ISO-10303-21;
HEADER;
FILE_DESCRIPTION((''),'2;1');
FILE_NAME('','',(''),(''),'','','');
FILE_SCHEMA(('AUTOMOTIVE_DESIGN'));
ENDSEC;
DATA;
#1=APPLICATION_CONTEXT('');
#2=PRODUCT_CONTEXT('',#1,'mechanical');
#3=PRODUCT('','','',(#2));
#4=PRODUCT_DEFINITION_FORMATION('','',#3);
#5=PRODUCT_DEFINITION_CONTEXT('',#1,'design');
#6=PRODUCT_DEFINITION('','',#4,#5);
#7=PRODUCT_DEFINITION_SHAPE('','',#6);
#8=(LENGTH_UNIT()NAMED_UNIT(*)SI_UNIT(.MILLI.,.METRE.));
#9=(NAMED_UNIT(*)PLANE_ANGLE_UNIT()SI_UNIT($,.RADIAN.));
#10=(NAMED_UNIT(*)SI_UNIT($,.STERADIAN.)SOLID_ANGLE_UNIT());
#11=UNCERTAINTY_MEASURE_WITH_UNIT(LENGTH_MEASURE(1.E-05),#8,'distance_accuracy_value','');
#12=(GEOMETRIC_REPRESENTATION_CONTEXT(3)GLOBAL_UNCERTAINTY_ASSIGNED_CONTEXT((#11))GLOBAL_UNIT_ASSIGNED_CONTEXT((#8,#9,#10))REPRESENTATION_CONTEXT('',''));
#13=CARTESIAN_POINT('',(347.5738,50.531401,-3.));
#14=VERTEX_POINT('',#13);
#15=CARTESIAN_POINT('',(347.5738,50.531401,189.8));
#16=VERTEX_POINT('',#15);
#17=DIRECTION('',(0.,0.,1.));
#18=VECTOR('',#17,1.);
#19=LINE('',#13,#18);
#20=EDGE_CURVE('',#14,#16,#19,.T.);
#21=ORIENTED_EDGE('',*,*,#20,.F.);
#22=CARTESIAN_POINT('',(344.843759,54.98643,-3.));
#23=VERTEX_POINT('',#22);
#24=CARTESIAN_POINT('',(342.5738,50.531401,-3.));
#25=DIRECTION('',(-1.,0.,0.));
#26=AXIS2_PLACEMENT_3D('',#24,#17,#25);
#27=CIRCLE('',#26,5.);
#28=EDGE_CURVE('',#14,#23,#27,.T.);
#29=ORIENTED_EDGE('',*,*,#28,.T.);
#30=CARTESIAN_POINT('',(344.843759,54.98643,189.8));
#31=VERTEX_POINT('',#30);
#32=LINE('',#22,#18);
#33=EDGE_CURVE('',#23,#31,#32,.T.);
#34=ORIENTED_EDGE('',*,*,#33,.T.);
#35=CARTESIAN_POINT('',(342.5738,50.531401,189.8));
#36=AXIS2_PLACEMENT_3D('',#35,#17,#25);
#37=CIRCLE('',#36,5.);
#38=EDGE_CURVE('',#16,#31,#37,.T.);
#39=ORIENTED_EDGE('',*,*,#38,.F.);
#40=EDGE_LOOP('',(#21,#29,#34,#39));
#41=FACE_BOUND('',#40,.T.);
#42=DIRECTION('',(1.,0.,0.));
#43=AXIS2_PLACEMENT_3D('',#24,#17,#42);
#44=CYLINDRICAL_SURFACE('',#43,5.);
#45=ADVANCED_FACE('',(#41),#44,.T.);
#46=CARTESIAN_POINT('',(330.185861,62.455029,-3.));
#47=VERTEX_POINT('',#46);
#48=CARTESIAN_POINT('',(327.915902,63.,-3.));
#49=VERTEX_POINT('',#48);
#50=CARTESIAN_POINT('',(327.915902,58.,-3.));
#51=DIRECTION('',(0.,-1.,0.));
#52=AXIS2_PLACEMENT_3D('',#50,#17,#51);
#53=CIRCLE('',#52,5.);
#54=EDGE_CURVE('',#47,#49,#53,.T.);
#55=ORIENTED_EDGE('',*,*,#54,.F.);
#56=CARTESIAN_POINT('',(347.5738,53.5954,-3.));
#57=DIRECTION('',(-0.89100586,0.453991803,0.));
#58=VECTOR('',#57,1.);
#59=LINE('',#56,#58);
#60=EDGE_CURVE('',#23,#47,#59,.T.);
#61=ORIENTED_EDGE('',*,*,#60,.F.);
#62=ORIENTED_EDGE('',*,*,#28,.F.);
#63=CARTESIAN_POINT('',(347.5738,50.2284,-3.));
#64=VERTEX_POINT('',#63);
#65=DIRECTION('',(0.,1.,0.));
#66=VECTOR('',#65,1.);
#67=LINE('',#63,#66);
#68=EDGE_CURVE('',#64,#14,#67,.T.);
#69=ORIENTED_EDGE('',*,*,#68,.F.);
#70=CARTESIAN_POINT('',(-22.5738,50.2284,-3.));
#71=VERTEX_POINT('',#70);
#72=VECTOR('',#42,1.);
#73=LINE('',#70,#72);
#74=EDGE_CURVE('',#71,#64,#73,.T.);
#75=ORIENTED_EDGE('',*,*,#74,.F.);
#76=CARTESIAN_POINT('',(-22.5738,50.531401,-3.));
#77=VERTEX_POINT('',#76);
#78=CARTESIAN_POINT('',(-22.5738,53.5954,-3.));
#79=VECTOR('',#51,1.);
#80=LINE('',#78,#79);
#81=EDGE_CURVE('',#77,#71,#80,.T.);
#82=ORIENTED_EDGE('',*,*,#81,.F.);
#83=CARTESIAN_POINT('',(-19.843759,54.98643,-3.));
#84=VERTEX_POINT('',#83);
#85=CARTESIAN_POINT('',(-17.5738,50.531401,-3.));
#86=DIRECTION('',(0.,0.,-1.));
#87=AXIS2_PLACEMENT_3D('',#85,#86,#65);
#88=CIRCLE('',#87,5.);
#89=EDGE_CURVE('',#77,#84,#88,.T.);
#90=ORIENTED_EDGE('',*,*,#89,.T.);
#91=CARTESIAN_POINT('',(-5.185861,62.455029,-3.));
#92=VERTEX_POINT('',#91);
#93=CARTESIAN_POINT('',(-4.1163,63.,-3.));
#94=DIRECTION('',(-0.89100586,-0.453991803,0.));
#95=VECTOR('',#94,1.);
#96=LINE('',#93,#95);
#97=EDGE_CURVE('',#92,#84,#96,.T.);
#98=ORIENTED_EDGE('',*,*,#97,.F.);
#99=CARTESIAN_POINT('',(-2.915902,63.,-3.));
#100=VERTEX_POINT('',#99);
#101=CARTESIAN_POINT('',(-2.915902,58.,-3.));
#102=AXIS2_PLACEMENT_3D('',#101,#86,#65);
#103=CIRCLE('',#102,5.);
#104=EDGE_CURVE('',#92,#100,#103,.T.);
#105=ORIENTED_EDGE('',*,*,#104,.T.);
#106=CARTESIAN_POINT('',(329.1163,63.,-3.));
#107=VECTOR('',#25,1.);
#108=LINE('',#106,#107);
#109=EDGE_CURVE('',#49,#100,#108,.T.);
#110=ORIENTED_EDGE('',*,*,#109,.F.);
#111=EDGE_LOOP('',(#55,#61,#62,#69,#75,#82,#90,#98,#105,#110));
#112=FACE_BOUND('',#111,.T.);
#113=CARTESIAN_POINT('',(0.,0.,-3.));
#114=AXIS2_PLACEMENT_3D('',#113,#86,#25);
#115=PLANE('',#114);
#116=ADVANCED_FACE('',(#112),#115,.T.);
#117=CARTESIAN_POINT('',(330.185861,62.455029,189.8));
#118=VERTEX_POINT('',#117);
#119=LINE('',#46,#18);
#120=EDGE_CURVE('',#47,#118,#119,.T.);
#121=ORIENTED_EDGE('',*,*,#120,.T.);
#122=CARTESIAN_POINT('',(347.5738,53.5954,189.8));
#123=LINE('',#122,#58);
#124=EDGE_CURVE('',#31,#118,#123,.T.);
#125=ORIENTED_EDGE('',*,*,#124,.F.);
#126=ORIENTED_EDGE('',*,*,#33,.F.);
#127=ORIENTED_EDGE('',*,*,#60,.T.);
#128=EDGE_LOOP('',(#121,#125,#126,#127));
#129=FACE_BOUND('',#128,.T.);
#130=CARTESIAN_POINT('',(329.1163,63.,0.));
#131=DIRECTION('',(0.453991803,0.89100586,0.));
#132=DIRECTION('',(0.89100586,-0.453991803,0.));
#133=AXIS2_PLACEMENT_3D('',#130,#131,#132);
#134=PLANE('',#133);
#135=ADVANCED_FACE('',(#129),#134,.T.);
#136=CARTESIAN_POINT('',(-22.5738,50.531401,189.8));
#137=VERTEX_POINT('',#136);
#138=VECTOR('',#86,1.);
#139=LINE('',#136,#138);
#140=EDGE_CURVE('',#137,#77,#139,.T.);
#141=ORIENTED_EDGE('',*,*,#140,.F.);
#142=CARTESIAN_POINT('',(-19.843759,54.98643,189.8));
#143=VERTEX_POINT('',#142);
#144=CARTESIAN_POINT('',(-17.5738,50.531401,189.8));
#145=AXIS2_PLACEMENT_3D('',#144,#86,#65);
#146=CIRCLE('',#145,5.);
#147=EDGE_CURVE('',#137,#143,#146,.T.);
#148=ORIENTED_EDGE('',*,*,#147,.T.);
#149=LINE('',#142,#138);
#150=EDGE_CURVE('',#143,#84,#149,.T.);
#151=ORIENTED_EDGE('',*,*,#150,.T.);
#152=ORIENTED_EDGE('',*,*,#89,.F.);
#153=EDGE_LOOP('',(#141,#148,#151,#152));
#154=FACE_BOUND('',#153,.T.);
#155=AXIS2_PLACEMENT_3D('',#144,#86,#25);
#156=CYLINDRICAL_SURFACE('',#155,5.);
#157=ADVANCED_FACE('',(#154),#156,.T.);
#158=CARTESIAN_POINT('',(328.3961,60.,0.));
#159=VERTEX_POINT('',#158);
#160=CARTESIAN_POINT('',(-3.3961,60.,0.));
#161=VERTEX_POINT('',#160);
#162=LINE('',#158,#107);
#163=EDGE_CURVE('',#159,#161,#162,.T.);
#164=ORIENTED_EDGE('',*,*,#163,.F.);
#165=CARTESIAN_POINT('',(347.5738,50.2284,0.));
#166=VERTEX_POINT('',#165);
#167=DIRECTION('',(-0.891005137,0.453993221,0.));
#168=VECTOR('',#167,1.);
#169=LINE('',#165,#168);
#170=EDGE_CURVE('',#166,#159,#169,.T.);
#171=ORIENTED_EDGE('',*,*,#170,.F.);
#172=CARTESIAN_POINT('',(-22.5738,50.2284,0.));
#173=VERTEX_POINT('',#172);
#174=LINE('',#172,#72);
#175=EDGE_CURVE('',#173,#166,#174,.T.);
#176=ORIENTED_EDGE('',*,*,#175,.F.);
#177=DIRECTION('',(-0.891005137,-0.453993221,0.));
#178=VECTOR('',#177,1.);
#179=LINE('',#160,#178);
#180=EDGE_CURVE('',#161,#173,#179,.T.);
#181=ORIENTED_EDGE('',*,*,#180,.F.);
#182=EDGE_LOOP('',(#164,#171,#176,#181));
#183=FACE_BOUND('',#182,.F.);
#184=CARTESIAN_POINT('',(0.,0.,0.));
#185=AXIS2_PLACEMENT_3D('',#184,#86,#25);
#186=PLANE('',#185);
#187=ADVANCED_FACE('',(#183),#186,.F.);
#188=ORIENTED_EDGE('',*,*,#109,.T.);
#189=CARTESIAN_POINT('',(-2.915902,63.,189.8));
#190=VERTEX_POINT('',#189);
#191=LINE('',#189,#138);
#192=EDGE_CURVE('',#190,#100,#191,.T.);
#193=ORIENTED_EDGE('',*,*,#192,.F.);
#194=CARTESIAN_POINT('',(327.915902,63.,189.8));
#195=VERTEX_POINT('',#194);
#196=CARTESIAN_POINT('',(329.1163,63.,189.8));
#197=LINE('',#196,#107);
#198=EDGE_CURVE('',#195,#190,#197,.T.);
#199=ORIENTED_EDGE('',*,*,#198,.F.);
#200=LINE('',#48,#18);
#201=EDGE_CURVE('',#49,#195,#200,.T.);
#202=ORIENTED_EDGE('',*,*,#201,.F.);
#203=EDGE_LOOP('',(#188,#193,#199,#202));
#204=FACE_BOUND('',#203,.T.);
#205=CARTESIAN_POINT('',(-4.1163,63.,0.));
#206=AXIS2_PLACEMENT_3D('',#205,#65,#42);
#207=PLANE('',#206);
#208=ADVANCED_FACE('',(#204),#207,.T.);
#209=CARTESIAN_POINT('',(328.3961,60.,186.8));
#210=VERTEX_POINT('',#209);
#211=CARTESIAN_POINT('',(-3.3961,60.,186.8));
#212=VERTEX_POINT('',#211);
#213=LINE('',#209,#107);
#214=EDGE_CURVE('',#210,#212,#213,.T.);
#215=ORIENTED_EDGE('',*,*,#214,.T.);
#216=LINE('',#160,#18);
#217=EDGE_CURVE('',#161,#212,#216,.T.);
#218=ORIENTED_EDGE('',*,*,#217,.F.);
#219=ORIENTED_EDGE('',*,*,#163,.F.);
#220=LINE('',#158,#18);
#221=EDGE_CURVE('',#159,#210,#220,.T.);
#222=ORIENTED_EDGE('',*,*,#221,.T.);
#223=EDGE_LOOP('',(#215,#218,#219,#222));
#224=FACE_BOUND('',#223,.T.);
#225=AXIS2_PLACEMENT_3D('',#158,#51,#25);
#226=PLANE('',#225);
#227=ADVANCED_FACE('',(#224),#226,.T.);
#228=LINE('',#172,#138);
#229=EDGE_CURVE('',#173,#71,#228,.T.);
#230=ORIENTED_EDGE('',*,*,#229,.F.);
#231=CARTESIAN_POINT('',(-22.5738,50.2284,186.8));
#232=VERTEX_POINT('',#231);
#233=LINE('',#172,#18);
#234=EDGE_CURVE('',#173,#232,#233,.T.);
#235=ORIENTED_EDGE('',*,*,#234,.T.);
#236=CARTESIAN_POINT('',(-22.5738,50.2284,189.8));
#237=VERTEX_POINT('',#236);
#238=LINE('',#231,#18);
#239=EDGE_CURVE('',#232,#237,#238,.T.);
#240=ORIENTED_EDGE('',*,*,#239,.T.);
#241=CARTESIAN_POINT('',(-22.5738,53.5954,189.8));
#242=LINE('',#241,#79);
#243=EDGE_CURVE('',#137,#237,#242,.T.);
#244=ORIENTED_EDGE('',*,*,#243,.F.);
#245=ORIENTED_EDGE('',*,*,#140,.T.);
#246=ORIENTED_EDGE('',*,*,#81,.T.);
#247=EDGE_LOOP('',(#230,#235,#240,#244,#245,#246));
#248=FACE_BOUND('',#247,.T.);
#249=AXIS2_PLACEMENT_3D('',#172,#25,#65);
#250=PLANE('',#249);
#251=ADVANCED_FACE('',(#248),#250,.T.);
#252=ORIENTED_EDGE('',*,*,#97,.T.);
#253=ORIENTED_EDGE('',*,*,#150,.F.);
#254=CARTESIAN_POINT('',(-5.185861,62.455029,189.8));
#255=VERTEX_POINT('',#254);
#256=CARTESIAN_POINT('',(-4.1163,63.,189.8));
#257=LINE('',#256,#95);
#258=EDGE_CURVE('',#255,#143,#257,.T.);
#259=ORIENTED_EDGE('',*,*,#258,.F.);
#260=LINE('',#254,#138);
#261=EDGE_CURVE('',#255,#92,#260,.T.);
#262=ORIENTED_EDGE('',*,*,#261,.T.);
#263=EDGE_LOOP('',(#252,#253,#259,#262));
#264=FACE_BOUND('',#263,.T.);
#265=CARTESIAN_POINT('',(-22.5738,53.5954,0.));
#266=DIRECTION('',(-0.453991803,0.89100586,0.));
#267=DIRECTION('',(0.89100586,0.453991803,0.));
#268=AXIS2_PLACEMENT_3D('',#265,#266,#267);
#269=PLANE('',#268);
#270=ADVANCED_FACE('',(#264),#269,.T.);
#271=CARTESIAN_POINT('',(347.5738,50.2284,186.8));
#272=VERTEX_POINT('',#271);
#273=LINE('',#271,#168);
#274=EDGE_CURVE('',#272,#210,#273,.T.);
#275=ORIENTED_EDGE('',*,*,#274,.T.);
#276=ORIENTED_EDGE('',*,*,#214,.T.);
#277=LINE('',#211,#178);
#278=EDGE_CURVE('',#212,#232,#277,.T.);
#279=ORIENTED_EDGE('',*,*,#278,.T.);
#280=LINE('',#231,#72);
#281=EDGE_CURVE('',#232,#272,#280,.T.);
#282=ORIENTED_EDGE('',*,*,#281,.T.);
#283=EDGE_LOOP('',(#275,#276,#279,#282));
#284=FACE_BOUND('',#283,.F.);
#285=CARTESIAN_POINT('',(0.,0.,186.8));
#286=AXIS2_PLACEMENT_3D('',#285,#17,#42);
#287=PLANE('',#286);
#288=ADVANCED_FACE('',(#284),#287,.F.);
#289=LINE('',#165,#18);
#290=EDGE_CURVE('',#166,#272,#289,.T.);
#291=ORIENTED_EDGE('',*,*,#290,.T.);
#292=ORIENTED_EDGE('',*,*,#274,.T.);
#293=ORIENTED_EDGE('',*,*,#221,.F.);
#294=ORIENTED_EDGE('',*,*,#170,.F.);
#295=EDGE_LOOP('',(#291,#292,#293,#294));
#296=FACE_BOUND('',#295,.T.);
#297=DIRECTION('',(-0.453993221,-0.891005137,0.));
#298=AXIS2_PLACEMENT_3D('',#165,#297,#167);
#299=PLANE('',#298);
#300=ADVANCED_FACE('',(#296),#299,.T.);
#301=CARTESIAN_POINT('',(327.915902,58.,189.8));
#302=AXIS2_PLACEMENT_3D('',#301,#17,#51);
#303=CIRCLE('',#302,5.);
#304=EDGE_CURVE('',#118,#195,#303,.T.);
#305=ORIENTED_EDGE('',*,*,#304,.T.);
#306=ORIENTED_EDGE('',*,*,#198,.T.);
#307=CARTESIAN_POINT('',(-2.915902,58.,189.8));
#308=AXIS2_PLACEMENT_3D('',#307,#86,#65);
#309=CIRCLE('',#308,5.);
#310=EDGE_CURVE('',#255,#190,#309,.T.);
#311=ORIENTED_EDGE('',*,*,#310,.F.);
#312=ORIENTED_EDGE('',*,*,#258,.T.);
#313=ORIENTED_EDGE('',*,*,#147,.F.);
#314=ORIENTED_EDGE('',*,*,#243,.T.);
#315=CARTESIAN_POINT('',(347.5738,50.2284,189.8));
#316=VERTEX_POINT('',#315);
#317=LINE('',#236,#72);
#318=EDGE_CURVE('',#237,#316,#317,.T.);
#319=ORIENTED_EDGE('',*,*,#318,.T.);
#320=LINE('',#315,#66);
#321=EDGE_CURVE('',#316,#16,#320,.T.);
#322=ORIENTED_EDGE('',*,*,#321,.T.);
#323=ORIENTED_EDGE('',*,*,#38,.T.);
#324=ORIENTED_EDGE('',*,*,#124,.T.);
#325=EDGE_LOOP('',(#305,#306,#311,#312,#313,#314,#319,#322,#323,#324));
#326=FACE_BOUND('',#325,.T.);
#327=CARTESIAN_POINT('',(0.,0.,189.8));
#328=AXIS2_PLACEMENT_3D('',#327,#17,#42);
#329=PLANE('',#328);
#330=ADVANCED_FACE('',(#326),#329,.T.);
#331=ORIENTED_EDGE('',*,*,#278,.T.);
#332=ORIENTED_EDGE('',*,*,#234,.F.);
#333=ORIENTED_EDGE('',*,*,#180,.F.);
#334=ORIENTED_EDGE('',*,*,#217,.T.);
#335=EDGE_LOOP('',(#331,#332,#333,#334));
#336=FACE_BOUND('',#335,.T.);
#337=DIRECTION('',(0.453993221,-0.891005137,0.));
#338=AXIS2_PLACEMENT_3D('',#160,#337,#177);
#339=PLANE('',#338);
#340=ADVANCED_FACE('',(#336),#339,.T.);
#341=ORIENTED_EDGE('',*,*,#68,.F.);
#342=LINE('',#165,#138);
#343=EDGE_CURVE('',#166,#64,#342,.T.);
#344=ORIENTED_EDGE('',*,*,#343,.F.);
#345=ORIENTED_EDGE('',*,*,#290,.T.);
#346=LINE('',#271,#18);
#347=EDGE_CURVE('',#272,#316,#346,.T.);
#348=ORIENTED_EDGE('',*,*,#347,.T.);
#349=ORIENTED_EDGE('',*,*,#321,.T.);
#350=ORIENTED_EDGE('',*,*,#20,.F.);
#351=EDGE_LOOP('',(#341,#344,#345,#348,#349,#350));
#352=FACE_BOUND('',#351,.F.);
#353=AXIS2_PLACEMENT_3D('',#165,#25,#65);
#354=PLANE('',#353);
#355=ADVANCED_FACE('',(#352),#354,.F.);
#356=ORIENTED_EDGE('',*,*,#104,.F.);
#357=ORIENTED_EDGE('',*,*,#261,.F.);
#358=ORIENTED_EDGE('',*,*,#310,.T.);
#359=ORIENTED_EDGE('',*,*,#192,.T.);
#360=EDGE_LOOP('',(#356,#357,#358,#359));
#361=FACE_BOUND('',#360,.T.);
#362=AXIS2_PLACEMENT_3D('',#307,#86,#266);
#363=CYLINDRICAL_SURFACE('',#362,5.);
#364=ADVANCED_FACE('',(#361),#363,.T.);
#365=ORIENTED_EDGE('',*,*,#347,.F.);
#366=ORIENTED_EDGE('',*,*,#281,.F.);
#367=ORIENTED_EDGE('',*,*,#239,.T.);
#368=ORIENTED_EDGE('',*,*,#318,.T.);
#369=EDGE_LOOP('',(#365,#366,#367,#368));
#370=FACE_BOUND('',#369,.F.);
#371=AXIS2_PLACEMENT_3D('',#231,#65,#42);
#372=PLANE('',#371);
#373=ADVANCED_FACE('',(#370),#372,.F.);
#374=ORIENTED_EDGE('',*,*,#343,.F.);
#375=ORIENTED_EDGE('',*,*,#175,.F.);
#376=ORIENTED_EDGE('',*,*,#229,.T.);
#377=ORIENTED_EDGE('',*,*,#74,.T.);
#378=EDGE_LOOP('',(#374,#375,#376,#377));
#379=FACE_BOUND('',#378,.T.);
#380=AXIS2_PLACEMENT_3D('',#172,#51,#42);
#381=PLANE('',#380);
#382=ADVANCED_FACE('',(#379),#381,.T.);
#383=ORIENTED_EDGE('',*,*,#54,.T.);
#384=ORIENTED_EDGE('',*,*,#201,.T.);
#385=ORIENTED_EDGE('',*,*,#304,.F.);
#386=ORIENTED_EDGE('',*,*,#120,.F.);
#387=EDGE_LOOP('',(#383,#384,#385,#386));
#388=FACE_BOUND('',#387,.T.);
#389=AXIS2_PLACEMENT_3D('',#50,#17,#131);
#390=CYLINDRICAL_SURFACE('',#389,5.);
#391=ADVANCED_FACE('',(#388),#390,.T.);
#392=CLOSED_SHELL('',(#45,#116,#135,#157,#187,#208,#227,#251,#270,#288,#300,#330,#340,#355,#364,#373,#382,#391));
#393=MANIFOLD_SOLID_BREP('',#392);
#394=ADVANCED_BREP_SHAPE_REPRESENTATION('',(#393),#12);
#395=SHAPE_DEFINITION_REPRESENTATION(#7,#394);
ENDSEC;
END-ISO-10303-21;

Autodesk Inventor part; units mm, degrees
ref_plane "YZ Plane" through (0, 0, 0) normal (1, 0, 0) x (0, 1, 0)
ref_plane "XZ Plane" through (0, 0, 0) normal (0, 1, 0) x (-1, 0, 0)
ref_plane "XY Plane" through (0, 0, 0) normal (0, 0, 1) x (1, 0, 0)
sketch "Sketch1" plane through (0, 0, 0) normal (0, 0, 1) x (1, 0, 0)
  line L0 (328.3961, 60) -> (-3.3961, 60)
  line L1 (-3.3961, 60) -> (-22.5738, 50.2284)
  line L2 (347.5738, 50.2284) -> (328.3961, 60)
  line L3 (-22.5738, 53.5954) -> (-4.1163, 63)
  line L4 (-4.1163, 63) -> (329.1163, 63)
  line L5 (329.1163, 63) -> (347.5738, 53.5954)
  line L6 (-22.5738, 50.2284) -> (-22.5738, 53.5954)
  line L7 (347.5738, 50.2284) -> (347.5738, 53.5954)
  point P0 (0, 0)
  dimension "d0" = 3
extrude "Extrusion1" add sketch "Sketch1" along normal blind 186.8
sketch "Sketch2" plane through (0, 0, 186.8) normal (0, 0, 1) x (1, 0, 0)
  line L0 (-22.5738, 53.5954) -> (-22.5738, 50.2284) projected
  line L1 (328.3961, 60) -> (347.5738, 50.2284) projected
  line L2 (-22.5738, 50.2284) -> (347.5738, 50.2284)
  line L3 (329.1163, 63) -> (-4.1163, 63) projected
  line L4 (-4.1163, 63) -> (-22.5738, 53.5954) projected
  line L5 (347.5738, 53.5954) -> (329.1163, 63) projected
  line L6 (347.5738, 50.2284) -> (347.5738, 53.5954) projected
  point P0 (0, 0)
extrude "Extrusion2" add sketch "Sketch2" along normal blind 3
sketch "Sketch3" plane through (0, 0, 0) normal (0, 0, -1) x (-1, 0, 0)
  line L0 (-328.3961, 60) -> (-347.5738, 50.2284) projected
  line L1 (22.5738, 50.2284) -> (-347.5738, 50.2284) projected
  line L2 (22.5738, 50.2284) -> (3.3961, 60) projected
  line L3 (3.3961, 60) -> (-328.3961, 60) projected
  line L4 (-347.5738, 53.5954) -> (-329.1163, 63) projected
  line L5 (-347.5738, 50.2284) -> (-347.5738, 53.5954) projected
  line L6 (-347.5738, 53.5954) -> (-329.1163, 63) projected
  line L7 (-347.5738, 50.2284) -> (-347.5738, 53.5954) projected
  line L8 (-328.3961, 60) -> (-347.5738, 50.2284) projected
  line L9 (3.3961, 60) -> (-328.3961, 60) projected
  line L10 (22.5738, 50.2284) -> (3.3961, 60) projected
  line L11 (22.5738, 53.5954) -> (22.5738, 50.2284) projected
  line L12 (4.1163, 63) -> (22.5738, 53.5954) projected
  line L13 (-329.1163, 63) -> (4.1163, 63) projected
  point P0 (0, 0)
extrude "Extrusion3" add sketch "Sketch3" along normal blind 3
fillet "Fillet1" radius 5 4 edges at (329.1163, 63, 93.4) (347.5738, 53.5954, 93.4) (-4.1163, 63, 93.4) (-22.5738, 53.5954, 93.4)
properties part number "pokrywa_czołg"
